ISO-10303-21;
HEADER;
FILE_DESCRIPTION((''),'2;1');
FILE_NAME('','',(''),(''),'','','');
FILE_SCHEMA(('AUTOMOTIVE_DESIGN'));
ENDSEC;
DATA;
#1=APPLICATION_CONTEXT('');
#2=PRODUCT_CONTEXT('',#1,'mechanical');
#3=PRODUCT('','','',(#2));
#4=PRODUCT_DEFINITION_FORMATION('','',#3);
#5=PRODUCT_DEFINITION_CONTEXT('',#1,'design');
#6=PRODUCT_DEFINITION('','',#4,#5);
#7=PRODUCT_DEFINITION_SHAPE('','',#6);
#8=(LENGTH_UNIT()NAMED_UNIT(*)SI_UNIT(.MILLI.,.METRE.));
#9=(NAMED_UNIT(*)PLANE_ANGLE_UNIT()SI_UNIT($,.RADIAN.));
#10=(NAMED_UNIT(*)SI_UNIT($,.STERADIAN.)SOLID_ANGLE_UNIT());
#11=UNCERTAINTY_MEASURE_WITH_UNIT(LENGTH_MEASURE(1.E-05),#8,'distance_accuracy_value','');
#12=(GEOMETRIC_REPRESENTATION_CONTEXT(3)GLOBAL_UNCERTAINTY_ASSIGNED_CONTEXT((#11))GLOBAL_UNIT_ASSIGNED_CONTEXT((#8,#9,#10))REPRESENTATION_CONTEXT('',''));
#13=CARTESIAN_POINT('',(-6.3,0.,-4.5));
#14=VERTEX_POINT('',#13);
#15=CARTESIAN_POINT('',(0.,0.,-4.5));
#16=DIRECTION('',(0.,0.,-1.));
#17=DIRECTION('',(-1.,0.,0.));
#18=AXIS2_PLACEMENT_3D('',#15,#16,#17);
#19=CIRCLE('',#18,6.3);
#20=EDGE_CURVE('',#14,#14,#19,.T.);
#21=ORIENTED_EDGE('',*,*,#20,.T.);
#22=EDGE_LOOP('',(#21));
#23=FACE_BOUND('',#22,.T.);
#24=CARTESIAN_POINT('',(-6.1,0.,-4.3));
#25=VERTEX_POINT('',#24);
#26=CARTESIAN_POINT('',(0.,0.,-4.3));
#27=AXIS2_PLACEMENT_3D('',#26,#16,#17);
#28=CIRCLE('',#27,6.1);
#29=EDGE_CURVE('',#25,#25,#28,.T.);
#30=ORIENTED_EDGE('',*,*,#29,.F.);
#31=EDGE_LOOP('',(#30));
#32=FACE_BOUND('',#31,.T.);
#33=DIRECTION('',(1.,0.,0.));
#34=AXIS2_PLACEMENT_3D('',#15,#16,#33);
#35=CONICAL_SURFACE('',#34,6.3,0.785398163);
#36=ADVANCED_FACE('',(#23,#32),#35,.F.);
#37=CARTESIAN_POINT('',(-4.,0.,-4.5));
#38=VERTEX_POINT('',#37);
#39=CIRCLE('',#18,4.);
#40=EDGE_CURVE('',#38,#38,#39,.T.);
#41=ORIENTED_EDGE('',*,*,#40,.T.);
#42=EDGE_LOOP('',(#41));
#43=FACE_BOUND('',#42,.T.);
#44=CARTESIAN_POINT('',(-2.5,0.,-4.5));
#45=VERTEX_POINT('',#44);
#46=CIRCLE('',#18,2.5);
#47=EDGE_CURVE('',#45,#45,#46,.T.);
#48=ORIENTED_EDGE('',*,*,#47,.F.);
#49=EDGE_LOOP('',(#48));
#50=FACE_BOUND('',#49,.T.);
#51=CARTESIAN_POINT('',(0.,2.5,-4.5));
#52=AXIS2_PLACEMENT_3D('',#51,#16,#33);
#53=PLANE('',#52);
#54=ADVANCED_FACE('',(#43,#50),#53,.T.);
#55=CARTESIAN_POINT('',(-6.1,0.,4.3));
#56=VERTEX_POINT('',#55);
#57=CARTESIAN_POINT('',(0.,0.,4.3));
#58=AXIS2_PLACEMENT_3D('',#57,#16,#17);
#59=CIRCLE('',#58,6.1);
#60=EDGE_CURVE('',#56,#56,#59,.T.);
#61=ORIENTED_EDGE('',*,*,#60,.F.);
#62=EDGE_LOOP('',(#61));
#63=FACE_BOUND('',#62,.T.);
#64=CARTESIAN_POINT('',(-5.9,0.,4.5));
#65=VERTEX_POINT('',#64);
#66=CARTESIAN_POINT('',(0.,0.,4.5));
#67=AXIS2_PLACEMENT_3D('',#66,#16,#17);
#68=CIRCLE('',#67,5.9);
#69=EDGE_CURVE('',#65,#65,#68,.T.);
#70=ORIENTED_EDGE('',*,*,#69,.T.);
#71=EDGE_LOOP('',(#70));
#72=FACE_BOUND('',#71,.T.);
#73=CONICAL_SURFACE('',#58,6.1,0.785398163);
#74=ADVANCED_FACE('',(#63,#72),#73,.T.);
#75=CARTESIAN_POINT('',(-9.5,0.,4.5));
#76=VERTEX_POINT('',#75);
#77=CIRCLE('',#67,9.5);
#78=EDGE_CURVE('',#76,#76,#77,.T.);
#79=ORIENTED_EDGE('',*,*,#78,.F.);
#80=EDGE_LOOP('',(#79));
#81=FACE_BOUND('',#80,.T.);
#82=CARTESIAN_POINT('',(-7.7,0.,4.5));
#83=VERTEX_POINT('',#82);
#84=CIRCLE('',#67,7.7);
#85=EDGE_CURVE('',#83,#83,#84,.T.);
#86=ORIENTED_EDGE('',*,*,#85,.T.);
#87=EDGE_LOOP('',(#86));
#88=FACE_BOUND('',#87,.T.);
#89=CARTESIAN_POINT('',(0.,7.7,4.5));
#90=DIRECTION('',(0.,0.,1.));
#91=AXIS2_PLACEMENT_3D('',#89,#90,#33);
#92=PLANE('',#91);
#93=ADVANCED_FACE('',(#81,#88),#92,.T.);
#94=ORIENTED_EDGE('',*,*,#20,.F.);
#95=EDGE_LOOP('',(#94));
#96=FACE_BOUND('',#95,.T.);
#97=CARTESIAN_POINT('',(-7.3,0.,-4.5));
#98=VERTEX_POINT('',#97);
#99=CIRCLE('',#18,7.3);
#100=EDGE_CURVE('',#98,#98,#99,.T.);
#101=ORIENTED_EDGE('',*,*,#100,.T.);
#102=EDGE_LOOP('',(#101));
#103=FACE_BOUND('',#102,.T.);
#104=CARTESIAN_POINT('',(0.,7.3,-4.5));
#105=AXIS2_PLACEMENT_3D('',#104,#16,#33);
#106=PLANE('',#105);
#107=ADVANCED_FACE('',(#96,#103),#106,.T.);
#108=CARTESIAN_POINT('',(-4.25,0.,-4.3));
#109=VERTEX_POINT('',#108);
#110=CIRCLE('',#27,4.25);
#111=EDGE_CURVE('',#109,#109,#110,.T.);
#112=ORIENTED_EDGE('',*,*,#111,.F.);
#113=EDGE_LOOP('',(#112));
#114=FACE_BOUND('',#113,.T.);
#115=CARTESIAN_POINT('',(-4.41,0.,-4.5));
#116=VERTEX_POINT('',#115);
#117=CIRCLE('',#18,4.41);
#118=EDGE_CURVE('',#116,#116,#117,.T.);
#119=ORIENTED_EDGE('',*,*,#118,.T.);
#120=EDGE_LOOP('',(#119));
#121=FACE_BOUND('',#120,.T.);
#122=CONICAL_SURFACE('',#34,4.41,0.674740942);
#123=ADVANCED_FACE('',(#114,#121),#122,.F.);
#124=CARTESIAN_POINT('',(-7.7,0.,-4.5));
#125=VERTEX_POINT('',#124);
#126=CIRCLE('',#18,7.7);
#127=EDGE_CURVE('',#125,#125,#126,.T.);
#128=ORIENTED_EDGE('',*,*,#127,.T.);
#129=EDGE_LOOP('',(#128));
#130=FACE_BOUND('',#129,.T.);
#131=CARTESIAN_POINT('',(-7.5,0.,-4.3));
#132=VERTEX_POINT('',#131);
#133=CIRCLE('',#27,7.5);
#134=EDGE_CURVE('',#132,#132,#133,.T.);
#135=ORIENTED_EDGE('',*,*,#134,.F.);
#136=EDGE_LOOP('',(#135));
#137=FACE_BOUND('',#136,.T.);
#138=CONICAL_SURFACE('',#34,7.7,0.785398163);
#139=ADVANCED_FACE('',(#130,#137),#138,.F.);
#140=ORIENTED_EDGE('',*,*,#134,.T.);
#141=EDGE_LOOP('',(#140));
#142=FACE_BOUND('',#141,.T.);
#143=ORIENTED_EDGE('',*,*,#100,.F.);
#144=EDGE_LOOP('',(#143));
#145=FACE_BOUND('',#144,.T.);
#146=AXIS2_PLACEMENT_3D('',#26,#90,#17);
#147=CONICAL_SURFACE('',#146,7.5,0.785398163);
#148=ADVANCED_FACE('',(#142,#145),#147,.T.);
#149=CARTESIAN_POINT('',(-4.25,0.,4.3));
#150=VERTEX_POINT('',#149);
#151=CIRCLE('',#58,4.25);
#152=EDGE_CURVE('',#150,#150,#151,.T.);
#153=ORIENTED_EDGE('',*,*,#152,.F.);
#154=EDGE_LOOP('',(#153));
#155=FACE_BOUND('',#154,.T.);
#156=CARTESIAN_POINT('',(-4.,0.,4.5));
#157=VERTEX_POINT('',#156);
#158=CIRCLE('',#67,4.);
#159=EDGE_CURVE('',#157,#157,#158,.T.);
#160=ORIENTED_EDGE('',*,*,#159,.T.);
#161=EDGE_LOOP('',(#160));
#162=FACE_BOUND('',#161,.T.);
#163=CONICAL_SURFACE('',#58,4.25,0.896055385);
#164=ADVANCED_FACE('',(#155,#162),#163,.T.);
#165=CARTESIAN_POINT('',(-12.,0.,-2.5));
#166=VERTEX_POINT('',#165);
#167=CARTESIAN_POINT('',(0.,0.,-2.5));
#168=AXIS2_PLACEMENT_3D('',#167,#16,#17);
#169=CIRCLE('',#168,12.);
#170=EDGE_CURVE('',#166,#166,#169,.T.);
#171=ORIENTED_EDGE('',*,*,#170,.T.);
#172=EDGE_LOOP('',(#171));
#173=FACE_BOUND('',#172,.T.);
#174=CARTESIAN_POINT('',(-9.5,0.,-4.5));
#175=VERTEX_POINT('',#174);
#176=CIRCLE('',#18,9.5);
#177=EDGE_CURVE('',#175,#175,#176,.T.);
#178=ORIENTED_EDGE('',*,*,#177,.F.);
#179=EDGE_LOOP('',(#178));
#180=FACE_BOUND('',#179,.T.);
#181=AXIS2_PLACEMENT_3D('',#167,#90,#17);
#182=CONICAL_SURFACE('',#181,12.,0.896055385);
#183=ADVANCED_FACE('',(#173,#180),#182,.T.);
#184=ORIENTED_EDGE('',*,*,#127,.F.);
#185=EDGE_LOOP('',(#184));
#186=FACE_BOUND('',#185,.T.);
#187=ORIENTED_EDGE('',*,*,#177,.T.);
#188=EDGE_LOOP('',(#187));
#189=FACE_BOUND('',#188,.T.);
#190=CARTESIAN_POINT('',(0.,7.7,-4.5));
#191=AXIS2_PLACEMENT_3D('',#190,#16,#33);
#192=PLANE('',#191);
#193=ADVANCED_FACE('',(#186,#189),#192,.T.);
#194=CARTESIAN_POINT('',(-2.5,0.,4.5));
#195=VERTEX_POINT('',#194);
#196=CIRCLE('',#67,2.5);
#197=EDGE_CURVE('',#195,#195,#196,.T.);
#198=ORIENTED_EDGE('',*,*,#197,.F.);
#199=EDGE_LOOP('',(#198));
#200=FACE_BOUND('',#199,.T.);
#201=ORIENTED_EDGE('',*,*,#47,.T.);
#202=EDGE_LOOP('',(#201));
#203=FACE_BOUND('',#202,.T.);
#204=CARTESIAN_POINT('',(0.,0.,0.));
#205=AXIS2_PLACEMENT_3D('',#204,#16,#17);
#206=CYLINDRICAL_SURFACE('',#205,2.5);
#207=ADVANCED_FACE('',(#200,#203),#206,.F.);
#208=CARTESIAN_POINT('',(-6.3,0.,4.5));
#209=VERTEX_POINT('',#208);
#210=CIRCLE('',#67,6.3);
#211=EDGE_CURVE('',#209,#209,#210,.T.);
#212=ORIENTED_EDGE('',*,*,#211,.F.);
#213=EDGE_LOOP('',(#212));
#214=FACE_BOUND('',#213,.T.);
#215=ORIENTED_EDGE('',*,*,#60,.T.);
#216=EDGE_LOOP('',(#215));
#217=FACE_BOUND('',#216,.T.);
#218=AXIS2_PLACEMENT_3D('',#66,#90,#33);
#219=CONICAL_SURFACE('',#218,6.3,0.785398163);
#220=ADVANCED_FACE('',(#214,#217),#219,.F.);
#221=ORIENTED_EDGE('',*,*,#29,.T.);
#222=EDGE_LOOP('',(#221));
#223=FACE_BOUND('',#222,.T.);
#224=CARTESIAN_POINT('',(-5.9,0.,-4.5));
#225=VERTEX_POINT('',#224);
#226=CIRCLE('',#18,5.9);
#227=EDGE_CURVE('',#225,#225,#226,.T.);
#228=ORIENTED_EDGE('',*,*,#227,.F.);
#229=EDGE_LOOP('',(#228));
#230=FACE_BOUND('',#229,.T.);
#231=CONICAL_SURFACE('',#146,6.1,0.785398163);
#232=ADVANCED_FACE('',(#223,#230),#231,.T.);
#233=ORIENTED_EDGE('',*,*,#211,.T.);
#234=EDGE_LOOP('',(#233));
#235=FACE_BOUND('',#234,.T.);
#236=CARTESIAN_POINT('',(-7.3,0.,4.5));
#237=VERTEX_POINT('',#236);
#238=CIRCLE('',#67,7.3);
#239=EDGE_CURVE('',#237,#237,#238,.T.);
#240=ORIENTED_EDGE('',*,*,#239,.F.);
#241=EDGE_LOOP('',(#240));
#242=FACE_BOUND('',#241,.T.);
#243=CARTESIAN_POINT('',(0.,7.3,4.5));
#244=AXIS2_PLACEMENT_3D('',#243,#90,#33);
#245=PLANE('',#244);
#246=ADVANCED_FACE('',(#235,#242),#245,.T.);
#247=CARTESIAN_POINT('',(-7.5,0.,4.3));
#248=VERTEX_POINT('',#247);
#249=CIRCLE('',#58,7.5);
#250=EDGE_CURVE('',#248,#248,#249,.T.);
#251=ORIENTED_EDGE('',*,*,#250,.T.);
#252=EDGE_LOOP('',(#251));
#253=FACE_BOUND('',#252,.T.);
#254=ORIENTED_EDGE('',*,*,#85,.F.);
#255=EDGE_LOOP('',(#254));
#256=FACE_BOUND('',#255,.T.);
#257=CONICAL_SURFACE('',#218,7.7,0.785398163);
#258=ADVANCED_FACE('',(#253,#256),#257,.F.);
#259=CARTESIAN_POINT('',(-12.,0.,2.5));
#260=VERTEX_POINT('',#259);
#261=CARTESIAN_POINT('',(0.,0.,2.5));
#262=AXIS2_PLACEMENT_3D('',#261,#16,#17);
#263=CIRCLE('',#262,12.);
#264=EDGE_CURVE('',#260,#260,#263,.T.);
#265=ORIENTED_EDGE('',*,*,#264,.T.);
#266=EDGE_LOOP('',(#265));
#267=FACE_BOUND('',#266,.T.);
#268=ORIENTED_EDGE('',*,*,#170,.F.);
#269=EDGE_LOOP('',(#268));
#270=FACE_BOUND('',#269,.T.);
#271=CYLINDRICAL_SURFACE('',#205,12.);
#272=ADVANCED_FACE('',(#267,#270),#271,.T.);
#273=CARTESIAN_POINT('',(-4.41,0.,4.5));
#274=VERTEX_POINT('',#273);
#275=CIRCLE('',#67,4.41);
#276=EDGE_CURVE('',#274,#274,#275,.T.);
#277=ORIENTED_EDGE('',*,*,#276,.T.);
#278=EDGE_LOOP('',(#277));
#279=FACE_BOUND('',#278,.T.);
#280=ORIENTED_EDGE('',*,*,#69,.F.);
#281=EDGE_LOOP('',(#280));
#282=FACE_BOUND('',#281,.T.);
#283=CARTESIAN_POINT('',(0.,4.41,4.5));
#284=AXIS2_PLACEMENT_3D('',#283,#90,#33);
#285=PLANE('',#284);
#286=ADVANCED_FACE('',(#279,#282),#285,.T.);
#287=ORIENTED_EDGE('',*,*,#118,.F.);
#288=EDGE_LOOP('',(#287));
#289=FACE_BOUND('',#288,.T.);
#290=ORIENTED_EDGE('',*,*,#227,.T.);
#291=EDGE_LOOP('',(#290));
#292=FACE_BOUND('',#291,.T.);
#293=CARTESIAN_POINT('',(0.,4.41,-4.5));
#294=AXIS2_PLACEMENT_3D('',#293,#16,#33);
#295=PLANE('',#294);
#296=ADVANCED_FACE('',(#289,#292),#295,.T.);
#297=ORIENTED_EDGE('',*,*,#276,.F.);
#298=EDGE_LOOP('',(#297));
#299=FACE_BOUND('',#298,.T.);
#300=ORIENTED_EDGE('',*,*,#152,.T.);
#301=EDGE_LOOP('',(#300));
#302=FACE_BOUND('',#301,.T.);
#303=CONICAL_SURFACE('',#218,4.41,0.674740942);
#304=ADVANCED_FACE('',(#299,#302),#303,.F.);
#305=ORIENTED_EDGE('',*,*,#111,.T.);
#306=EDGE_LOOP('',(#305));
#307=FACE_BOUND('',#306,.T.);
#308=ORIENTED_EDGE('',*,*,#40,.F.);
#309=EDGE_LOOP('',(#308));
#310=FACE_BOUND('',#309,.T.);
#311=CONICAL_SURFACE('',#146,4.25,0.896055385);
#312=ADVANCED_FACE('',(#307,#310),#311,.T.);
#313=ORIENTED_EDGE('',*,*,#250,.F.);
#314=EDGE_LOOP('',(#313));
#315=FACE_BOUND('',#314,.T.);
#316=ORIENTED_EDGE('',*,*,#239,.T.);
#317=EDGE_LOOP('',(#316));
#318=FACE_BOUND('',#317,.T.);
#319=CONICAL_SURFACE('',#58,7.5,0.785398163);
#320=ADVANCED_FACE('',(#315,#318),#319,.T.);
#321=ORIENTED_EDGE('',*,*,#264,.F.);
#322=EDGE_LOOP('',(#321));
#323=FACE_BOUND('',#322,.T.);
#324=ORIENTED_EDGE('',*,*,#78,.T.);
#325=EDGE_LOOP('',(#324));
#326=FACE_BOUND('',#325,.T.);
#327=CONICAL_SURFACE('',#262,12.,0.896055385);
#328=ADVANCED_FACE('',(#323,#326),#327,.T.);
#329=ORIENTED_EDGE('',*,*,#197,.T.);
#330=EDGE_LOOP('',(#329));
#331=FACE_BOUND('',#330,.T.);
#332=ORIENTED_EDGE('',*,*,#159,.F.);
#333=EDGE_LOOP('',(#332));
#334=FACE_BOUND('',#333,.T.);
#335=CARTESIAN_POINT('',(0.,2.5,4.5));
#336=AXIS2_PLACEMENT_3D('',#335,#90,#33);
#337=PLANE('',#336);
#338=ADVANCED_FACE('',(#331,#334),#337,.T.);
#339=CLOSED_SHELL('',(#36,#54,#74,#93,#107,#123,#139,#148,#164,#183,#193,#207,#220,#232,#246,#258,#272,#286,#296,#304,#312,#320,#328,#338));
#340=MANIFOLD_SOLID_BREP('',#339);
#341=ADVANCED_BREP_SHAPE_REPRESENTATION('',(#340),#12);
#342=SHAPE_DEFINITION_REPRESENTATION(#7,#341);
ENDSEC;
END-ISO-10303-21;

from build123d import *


with BuildPart() as part:
    # Sketch1 → Revolve1 (revolve)
    with BuildSketch(Plane(origin=(0, 0, 0), x_dir=(0, 0, -1), z_dir=(1, 0, 0)), mode=Mode.PRIVATE) as revolve1_sk:
        Polygon((-4.5, 7.3), (-4.5, 6.3), (-4.3, 6.1), (-4.5, 5.9), (-4.5, 4.41), (-4.3, 4.25), (-4.5, 4), (-4.5, 2.5), (0, 2.5), (0, 12), (-2.5, 12), (-4.5, 9.5), (-4.5, 7.7), (-4.3, 7.5), align=None)
    revolve(revolve1_sk.sketch.rotate(Axis((0, 0, 0), (0, 0, 1)), 90), axis=Axis((0, 0, 0), (0, 0, 1)))

    # Mirror1: part across plane


with BuildPart() as part_1:
    add(part.part)
    add(part.part.mirror(Plane(origin=(0, 2.5, 0), x_dir=(1, 0, 0), z_dir=(0, 0, -1))))


solid = part_1.part
